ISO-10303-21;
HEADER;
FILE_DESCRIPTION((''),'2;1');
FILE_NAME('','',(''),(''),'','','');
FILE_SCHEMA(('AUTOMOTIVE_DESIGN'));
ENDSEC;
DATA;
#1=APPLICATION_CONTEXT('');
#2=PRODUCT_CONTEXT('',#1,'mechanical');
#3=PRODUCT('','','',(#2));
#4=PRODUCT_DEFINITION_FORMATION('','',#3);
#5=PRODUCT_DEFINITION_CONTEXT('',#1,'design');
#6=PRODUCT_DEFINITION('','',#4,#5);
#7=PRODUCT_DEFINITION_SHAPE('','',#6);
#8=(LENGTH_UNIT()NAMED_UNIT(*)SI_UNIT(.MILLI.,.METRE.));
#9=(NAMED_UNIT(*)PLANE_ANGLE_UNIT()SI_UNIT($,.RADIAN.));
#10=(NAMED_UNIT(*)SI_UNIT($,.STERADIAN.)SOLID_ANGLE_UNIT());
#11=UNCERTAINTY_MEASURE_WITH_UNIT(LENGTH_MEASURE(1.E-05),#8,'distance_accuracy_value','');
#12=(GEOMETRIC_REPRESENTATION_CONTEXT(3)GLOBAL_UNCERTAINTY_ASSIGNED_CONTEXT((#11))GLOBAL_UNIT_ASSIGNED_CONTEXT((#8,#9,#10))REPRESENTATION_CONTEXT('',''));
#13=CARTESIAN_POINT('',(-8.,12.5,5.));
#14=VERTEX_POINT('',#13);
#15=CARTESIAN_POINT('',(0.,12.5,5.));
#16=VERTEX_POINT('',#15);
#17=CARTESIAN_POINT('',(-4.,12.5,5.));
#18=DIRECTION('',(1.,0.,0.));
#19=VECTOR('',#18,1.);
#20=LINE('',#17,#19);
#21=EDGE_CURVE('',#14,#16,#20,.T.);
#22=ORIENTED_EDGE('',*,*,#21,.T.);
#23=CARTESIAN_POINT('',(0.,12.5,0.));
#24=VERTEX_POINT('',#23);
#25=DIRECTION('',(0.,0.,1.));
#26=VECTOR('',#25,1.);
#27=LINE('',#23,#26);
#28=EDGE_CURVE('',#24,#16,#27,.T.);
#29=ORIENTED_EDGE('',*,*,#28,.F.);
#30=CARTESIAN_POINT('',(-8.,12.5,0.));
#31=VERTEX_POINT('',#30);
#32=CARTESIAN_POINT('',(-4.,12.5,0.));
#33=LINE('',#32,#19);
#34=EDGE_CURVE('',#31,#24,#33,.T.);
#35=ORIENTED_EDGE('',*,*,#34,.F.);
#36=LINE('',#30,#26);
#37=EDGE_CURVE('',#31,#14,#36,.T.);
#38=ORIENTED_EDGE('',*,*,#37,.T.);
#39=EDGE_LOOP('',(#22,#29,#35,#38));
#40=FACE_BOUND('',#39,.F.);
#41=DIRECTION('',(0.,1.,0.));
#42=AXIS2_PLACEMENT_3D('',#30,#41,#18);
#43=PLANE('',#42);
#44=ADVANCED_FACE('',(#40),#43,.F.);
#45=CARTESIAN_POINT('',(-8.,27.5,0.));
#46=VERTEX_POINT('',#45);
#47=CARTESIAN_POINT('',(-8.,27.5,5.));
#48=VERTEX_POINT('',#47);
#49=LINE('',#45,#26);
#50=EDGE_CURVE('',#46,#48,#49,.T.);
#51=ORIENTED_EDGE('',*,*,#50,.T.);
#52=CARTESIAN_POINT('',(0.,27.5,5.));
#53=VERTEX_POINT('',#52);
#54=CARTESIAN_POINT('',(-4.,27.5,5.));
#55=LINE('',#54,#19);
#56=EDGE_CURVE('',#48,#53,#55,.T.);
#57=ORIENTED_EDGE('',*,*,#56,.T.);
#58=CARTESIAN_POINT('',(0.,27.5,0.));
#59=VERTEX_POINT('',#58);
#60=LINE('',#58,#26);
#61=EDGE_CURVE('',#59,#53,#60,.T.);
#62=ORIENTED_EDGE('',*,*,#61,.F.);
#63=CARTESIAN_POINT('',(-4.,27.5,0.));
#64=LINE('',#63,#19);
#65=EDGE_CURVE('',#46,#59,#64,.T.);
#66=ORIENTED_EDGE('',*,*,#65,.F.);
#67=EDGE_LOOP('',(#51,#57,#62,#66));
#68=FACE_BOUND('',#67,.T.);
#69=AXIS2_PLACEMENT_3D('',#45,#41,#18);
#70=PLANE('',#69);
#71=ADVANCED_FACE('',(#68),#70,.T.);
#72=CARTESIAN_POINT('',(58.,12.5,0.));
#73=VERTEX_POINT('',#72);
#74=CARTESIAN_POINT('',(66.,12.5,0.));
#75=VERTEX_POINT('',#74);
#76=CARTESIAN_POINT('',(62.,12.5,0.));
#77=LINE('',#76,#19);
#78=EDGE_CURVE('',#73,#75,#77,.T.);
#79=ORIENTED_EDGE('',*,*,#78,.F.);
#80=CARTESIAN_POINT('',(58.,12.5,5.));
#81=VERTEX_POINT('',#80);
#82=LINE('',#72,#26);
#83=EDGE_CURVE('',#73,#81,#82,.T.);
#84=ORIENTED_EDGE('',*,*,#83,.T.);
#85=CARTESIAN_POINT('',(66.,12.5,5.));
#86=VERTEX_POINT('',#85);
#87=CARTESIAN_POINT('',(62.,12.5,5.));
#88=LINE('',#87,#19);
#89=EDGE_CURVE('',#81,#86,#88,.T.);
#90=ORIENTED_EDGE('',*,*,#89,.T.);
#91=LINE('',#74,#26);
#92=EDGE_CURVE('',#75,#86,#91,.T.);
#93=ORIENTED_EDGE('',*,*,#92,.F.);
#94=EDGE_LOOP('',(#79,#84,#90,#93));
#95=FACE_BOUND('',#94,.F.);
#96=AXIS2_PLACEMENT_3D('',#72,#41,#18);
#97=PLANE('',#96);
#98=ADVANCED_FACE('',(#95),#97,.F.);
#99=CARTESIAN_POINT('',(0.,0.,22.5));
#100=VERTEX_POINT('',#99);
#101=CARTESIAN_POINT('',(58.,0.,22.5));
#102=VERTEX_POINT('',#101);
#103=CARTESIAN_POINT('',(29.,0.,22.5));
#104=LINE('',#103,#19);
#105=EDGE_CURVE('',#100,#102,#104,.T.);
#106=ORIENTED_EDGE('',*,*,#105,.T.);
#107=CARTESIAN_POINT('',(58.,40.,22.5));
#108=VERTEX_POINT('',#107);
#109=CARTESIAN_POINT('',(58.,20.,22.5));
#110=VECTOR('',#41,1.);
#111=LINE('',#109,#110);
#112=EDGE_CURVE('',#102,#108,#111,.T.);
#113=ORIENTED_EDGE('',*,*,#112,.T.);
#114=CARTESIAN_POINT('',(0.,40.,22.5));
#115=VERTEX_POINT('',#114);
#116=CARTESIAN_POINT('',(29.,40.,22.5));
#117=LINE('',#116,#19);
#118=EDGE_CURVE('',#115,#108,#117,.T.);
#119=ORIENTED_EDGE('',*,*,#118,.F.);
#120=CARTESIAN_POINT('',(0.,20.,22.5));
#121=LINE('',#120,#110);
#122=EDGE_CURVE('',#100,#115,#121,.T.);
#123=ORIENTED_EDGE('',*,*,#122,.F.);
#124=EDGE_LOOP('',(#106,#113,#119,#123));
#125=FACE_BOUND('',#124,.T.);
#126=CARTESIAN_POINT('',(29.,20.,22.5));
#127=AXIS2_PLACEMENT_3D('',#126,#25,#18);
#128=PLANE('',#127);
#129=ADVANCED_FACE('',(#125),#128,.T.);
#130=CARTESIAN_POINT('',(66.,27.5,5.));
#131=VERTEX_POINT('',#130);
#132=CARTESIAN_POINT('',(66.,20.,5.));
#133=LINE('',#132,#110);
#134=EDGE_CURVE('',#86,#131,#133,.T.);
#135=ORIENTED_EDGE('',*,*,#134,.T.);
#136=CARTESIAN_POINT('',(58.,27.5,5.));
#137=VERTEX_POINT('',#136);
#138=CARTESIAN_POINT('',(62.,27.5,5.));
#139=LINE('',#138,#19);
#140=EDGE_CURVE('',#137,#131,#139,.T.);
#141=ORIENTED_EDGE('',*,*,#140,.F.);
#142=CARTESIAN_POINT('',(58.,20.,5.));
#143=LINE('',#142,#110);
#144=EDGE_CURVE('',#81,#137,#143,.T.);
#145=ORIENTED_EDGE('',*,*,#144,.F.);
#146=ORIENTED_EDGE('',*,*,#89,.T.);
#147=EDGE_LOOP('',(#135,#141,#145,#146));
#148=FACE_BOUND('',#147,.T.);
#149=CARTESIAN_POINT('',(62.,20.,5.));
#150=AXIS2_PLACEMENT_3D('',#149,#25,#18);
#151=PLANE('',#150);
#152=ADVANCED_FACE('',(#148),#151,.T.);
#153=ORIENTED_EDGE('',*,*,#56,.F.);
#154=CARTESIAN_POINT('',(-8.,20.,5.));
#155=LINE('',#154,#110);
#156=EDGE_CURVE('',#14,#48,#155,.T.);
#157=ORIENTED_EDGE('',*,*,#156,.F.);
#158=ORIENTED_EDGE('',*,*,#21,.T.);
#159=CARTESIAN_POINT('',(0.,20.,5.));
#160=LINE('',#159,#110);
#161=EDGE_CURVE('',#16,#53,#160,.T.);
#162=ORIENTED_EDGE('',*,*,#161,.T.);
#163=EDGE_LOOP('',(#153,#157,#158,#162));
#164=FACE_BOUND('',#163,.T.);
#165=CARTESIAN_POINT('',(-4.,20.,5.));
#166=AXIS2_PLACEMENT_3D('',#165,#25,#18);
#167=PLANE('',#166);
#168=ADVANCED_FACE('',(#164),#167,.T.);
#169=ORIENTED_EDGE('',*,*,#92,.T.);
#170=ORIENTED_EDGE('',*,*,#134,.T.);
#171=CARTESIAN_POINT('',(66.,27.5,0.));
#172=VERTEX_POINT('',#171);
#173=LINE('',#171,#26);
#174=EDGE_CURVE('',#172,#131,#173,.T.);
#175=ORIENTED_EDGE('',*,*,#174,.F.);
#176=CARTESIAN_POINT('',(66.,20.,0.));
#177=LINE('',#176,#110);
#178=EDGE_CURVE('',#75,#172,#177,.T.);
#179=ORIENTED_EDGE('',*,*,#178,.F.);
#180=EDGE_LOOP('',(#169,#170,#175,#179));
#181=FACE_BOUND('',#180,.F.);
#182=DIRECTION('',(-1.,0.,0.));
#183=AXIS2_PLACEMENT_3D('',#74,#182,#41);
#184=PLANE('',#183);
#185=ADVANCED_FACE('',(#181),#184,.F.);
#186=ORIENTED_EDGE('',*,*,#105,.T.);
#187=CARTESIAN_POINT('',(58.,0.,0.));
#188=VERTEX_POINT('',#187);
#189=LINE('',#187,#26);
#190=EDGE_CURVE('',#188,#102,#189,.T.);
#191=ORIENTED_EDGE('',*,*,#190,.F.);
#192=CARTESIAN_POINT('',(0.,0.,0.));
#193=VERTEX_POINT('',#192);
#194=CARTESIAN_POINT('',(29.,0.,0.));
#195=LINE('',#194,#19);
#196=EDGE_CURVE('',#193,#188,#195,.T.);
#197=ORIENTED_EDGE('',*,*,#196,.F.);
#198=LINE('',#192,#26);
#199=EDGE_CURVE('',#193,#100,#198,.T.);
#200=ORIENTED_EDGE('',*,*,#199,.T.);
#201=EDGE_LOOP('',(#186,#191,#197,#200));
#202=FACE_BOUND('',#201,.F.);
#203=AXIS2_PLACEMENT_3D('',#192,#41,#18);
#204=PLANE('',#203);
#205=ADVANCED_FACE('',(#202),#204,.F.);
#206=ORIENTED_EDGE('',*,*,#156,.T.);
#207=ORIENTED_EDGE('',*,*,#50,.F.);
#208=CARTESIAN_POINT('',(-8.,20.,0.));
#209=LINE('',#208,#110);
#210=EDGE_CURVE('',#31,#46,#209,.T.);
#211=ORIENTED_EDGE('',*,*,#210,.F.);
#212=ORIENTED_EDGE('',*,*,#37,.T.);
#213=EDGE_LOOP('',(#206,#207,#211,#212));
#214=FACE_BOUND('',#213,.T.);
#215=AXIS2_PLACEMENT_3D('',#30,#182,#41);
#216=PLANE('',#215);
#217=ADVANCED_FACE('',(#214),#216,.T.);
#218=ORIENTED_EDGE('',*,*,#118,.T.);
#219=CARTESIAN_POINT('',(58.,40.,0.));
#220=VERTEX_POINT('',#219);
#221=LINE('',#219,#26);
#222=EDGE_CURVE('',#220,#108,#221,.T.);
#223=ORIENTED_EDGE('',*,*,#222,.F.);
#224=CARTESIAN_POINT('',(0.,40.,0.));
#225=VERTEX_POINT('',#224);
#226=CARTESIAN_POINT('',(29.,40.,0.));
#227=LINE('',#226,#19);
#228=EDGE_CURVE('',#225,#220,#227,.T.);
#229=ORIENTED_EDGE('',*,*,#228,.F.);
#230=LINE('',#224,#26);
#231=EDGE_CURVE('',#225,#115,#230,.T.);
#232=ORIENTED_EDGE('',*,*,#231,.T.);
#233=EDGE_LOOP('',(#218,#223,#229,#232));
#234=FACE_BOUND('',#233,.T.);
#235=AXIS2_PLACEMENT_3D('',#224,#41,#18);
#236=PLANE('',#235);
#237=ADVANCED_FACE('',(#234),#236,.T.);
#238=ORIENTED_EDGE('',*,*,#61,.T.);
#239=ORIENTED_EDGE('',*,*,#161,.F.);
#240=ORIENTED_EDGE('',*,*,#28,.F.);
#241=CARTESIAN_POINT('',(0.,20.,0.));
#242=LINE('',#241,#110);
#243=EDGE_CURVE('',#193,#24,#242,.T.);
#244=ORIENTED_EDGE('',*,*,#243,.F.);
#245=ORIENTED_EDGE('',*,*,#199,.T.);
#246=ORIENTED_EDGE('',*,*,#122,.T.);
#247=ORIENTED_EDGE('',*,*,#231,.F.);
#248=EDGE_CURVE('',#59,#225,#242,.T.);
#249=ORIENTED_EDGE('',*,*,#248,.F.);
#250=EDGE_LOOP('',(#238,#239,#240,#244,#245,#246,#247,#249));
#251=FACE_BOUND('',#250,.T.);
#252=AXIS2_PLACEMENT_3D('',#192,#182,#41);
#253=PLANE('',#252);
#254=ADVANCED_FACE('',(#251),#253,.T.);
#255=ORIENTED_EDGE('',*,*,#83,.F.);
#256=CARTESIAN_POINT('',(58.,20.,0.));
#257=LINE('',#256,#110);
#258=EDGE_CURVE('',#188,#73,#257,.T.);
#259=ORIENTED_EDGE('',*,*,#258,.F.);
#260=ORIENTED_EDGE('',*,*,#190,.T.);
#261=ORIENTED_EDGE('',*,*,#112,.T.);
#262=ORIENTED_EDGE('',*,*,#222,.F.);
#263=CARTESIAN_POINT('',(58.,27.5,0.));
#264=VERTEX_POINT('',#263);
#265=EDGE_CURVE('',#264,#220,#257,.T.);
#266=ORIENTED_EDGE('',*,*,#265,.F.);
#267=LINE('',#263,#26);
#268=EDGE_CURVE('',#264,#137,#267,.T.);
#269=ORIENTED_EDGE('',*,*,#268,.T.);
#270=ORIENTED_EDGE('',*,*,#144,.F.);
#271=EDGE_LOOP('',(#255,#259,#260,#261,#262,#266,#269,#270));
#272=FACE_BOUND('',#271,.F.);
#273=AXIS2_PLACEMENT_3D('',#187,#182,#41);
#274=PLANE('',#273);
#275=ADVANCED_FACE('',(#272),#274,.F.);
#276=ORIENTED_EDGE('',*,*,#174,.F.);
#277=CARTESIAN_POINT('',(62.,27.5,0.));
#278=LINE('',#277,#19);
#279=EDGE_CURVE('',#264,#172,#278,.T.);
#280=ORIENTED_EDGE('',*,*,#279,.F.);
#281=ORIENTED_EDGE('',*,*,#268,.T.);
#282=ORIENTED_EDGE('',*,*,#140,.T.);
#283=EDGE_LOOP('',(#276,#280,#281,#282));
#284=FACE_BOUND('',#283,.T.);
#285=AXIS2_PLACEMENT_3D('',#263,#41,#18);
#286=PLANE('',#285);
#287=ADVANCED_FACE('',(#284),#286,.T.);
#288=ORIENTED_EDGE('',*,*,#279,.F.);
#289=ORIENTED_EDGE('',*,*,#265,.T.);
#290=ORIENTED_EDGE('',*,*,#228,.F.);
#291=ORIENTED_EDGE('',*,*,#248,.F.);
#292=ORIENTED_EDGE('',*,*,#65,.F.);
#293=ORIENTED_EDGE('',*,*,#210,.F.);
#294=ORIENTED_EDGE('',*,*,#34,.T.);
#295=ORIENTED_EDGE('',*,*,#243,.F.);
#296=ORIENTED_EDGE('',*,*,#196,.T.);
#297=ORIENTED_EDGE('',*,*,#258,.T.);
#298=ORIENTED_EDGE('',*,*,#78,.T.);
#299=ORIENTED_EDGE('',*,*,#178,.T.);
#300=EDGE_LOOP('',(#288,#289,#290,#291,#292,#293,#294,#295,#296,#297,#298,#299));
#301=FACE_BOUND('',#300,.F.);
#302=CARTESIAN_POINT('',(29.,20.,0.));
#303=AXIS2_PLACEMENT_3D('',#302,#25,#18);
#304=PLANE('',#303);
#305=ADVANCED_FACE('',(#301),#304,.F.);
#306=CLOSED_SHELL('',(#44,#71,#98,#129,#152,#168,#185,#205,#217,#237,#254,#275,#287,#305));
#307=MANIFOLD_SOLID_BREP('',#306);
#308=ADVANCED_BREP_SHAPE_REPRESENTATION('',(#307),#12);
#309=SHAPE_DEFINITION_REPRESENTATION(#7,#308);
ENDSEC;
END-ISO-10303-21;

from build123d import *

# Parameters (mm, degrees)
BOX002_W     = 8
BOX002_H     = 15
BOX002_DEPTH = 5
BOX001_W     = 8
BOX001_H     = 15
BOX001_DEPTH = 5
BOX_W        = 58
BOX_H        = 40
BOX_DEPTH    = 22.5


with BuildPart() as w_rfel002:
    # Box002 → Box002 (new body)
    with BuildSketch(Plane(origin=(-8, 12.5, 0), x_dir=(1, 0, 0), z_dir=(0, 0, 1))):
        with Locations((4, 7.5)):
            Rectangle(BOX002_W, BOX002_H)
    extrude(amount=BOX002_DEPTH)


with BuildPart() as w_rfel001:
    # Box001 → Box001 (new body)
    with BuildSketch(Plane(origin=(58, 12.5, 0), x_dir=(1, 0, 0), z_dir=(0, 0, 1))):
        with Locations((4, 7.5)):
            Rectangle(BOX001_W, BOX001_H)
    extrude(amount=BOX001_DEPTH)


with BuildPart() as fusion:
    # Box → Box (new body)
    with BuildSketch(Plane.XY):
        with Locations((29, 20)):
            Rectangle(BOX_W, BOX_H)
    extrude(amount=BOX_DEPTH)

    # Fusion: union Würfel002, Würfel001
    add(w_rfel002.part)
    add(w_rfel001.part)


solid = fusion.part
